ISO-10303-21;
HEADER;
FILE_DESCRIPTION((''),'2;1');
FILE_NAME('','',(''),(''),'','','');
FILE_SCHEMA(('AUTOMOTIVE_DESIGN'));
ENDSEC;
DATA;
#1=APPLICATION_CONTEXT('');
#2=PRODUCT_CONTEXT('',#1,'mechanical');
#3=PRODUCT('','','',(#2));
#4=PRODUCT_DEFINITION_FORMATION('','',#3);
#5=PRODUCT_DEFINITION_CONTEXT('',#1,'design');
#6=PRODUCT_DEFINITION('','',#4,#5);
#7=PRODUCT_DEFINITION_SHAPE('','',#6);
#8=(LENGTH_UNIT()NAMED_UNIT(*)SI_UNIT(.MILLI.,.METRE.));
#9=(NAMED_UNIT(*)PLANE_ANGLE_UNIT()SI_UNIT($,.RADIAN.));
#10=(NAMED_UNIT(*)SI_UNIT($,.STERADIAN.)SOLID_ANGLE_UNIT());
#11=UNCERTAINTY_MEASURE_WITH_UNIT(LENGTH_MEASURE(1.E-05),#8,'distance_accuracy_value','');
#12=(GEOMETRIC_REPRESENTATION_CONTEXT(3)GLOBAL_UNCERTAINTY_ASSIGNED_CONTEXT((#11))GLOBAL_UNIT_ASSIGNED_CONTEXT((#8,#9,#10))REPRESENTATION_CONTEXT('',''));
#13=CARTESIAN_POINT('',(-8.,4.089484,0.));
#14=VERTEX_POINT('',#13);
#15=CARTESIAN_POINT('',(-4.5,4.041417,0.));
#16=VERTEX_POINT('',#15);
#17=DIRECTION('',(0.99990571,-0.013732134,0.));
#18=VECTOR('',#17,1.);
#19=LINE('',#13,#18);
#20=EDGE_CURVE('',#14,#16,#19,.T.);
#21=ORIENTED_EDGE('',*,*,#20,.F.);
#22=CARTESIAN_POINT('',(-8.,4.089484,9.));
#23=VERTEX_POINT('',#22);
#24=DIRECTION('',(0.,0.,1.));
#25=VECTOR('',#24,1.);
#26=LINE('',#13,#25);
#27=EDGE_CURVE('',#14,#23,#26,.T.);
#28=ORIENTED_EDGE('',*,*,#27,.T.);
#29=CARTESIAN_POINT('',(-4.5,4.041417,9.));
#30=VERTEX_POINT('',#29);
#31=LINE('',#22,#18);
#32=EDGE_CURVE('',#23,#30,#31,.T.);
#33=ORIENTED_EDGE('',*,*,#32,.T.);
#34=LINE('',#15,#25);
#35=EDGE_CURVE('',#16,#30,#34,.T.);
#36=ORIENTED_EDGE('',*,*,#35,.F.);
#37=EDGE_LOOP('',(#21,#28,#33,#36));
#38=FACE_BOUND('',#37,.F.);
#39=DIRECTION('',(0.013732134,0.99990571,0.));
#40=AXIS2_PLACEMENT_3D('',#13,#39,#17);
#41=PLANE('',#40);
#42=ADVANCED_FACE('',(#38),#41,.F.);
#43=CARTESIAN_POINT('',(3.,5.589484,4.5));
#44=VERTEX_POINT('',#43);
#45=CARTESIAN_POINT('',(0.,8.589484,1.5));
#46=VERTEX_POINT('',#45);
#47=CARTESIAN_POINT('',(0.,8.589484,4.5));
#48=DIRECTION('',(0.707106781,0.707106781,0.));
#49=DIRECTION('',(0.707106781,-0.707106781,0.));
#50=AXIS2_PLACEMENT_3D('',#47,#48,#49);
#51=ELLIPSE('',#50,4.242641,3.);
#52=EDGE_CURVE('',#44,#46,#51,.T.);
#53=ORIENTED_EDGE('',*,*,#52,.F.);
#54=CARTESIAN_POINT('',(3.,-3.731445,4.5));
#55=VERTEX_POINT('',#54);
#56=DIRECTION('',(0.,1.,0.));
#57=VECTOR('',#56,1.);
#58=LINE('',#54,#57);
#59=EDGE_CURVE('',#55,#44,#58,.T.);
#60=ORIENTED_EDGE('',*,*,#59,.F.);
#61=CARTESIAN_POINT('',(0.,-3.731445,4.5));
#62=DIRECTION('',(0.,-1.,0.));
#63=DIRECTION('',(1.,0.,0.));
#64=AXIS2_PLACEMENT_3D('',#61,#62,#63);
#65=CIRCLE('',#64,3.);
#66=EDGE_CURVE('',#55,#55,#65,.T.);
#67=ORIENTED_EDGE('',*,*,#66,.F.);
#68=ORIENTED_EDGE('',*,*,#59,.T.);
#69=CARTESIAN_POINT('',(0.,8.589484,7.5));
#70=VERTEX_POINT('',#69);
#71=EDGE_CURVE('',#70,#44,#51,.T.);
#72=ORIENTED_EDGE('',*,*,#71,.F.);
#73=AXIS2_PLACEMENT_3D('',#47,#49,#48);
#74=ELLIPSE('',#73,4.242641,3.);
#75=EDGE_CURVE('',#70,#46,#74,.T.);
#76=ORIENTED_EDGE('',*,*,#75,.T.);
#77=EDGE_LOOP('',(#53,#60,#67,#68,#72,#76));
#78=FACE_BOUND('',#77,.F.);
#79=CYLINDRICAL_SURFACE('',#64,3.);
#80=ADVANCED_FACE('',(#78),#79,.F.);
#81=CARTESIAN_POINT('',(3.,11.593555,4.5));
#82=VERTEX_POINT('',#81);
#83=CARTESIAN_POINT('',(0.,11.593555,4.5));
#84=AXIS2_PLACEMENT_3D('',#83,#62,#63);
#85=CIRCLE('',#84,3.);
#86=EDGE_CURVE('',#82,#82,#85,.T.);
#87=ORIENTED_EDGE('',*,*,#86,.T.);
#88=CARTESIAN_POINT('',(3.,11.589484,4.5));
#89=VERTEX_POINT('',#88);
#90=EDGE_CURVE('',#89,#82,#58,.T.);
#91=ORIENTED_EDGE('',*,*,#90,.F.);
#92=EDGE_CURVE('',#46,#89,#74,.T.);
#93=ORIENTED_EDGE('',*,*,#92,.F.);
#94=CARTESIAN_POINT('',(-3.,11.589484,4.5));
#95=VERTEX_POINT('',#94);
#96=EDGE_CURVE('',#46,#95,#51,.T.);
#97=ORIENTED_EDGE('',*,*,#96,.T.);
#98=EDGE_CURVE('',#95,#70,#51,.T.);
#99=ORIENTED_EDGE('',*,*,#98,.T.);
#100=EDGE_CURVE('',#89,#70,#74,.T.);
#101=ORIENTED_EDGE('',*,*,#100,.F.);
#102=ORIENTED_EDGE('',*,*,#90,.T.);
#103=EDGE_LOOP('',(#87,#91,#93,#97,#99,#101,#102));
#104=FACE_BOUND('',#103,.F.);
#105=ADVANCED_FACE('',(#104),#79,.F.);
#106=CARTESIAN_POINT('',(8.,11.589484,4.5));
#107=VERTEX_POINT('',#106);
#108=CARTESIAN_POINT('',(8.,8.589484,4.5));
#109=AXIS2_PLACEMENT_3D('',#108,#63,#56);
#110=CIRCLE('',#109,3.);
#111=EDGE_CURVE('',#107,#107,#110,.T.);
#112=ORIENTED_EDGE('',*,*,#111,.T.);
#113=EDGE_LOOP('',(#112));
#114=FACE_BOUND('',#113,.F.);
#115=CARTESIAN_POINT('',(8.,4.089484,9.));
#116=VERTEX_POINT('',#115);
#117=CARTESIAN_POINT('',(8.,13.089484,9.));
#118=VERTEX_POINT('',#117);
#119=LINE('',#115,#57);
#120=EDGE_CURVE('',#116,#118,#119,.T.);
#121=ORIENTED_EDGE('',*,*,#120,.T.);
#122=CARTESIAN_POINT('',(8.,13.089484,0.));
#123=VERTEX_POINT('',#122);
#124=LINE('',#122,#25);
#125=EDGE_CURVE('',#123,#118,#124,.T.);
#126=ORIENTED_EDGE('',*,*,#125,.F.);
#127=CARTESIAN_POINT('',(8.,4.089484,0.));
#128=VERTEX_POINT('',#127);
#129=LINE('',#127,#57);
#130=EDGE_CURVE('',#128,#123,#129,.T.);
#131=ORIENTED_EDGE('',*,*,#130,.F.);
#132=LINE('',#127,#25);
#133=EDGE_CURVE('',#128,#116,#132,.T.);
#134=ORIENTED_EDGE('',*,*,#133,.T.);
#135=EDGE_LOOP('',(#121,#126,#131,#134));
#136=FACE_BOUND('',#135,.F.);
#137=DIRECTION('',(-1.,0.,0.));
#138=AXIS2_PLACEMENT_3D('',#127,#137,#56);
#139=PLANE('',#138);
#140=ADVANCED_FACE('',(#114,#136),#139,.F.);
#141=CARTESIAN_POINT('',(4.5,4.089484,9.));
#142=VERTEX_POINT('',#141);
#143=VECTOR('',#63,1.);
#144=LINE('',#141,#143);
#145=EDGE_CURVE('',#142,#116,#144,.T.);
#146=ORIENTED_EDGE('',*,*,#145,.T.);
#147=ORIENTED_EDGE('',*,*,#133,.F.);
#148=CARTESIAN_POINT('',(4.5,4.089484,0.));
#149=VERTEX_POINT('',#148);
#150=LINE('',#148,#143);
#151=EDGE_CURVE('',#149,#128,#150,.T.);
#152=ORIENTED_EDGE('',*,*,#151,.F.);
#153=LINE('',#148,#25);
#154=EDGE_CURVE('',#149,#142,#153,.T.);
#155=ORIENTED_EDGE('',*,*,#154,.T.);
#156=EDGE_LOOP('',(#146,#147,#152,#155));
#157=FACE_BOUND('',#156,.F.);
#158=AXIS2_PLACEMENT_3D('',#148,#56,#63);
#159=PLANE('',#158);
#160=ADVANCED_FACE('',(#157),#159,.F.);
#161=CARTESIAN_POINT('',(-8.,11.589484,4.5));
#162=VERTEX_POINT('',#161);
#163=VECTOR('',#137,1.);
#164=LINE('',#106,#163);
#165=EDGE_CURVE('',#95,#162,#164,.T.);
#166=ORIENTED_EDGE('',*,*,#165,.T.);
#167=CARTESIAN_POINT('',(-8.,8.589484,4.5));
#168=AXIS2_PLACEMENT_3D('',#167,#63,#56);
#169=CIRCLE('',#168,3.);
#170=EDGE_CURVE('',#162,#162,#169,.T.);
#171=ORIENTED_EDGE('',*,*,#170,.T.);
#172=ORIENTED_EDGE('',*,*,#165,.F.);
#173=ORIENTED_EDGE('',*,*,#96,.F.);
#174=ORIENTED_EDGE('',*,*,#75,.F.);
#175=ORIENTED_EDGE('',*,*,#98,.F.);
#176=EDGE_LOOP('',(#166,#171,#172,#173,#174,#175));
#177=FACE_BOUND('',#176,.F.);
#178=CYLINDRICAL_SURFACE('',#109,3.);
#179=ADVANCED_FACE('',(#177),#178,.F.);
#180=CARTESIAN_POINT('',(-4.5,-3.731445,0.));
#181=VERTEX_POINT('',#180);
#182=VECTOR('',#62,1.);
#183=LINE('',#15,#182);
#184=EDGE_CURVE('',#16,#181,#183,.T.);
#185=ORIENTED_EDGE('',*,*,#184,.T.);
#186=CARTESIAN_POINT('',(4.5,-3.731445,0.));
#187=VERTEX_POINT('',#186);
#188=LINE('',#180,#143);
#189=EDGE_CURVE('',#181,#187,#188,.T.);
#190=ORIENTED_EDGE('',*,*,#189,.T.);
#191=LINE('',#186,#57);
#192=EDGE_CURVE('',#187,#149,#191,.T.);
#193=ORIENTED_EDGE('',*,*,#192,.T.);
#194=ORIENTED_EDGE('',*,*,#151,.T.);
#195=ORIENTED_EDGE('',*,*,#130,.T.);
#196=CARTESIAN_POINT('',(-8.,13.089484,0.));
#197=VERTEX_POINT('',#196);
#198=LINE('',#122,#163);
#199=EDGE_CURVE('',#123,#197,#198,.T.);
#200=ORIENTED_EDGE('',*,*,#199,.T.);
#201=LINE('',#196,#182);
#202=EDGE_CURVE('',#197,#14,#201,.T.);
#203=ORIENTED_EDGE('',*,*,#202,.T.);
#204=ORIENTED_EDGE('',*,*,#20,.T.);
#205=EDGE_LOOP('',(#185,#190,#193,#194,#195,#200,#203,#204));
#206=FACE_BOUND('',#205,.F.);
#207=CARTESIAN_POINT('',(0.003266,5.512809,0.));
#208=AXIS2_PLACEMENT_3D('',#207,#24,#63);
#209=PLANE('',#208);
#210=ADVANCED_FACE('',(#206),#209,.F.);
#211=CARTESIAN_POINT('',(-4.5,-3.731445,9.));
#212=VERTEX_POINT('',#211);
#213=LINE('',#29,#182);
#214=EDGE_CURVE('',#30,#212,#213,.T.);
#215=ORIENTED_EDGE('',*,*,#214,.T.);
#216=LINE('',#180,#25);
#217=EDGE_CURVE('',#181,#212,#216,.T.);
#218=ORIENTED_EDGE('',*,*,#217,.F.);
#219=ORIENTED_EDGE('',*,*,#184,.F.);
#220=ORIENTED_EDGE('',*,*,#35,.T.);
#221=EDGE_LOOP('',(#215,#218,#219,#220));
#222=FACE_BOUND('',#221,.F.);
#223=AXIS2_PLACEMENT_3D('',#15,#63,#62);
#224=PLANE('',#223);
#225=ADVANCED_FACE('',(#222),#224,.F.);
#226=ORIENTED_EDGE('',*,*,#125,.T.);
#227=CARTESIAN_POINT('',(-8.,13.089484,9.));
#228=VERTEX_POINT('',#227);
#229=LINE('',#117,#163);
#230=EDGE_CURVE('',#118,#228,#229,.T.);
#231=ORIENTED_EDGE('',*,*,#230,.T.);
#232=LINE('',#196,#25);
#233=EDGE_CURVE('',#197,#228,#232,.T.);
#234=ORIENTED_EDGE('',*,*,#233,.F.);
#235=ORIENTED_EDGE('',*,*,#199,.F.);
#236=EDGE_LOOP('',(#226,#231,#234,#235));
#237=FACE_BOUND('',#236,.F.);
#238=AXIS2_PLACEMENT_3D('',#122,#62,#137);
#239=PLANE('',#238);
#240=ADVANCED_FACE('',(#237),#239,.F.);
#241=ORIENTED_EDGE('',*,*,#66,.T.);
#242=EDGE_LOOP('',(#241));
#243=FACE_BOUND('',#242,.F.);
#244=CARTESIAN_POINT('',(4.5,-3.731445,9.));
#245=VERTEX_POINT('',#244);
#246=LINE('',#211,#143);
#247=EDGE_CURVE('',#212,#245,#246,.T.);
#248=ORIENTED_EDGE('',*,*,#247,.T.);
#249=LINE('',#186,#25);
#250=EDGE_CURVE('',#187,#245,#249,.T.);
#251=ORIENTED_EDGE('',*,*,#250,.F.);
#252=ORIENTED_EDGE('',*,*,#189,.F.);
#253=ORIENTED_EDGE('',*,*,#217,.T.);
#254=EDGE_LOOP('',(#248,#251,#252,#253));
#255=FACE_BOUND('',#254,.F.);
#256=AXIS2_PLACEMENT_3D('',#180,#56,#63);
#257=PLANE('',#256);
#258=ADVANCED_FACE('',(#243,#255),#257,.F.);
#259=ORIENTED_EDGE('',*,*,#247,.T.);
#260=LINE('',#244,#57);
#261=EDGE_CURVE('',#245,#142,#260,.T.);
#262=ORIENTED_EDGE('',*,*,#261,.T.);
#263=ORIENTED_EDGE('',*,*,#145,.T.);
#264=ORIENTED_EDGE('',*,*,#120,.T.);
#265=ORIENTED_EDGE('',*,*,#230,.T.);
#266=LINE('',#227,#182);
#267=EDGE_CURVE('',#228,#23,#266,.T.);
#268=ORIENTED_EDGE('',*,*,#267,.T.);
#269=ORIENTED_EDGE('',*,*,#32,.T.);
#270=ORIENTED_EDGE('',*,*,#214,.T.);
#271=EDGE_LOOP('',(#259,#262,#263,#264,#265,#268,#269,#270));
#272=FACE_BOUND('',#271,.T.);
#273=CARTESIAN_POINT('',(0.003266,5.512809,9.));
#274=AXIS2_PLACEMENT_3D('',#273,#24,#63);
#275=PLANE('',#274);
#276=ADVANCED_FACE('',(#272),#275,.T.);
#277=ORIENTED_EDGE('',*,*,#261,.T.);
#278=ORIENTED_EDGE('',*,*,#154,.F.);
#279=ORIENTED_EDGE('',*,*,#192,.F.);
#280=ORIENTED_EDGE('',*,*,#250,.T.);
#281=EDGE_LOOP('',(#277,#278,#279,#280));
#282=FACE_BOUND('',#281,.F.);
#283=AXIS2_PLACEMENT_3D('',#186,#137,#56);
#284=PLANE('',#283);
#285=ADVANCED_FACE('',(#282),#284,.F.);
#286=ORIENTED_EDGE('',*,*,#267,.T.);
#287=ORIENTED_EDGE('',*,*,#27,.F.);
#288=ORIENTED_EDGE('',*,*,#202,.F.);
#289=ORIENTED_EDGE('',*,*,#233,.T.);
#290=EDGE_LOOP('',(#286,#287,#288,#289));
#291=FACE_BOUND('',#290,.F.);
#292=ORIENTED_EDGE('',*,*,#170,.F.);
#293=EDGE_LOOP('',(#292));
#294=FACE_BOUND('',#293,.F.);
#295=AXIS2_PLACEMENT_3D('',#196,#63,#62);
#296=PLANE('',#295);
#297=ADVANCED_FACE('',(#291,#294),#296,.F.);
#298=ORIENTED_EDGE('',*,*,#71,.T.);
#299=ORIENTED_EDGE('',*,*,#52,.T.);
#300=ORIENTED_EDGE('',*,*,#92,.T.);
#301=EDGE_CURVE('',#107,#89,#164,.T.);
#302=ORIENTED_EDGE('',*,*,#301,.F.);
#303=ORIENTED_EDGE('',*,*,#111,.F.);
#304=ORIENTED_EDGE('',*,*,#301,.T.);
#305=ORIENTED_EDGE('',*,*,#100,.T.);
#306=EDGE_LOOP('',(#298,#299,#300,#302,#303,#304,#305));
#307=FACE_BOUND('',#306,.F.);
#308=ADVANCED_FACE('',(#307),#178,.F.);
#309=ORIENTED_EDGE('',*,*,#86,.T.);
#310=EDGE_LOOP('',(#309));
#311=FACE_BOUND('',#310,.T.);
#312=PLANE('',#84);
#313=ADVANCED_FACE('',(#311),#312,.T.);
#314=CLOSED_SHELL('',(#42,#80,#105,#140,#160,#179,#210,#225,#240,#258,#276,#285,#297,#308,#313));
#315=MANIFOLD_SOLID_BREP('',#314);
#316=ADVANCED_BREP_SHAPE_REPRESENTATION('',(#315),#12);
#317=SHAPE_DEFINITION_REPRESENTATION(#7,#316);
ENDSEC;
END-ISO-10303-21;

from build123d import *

# Parameters (mm, degrees)
F1_DEPTH = 9
F3_R     = 3
F4_DEPTH = 16
F2_R     = 3
F5_DEPTH = 15.325


with BuildPart() as f1:
    # F0 (on Top) → F1 (new body)
    with BuildSketch(Plane.XY):
        Polygon((8, 13.089484), (0, 13.089484), (-8, 13.089484), (-8, 4.089484), (-4.5, 4.041417), (-4.5, -3.731445), (0, -3.731445), (4.5, -3.731445), (4.5, 4.089484), (8, 4.089484), align=None)
    extrude(amount=F1_DEPTH)

    # F3 (on face) → F4 (cut)
    with BuildSketch(Plane.YZ.offset(8)):
        with Locations((8.589484, 4.5)):
            Circle(F3_R)
    extrude(amount=-F4_DEPTH, mode=Mode.SUBTRACT)

    # F2 (on face) → F5 (cut)
    with BuildSketch(Plane.XZ.offset(3.731445)):
        with Locations((0, 4.5)):
            Circle(F2_R)
    extrude(amount=-F5_DEPTH, mode=Mode.SUBTRACT)


solid = f1.part
